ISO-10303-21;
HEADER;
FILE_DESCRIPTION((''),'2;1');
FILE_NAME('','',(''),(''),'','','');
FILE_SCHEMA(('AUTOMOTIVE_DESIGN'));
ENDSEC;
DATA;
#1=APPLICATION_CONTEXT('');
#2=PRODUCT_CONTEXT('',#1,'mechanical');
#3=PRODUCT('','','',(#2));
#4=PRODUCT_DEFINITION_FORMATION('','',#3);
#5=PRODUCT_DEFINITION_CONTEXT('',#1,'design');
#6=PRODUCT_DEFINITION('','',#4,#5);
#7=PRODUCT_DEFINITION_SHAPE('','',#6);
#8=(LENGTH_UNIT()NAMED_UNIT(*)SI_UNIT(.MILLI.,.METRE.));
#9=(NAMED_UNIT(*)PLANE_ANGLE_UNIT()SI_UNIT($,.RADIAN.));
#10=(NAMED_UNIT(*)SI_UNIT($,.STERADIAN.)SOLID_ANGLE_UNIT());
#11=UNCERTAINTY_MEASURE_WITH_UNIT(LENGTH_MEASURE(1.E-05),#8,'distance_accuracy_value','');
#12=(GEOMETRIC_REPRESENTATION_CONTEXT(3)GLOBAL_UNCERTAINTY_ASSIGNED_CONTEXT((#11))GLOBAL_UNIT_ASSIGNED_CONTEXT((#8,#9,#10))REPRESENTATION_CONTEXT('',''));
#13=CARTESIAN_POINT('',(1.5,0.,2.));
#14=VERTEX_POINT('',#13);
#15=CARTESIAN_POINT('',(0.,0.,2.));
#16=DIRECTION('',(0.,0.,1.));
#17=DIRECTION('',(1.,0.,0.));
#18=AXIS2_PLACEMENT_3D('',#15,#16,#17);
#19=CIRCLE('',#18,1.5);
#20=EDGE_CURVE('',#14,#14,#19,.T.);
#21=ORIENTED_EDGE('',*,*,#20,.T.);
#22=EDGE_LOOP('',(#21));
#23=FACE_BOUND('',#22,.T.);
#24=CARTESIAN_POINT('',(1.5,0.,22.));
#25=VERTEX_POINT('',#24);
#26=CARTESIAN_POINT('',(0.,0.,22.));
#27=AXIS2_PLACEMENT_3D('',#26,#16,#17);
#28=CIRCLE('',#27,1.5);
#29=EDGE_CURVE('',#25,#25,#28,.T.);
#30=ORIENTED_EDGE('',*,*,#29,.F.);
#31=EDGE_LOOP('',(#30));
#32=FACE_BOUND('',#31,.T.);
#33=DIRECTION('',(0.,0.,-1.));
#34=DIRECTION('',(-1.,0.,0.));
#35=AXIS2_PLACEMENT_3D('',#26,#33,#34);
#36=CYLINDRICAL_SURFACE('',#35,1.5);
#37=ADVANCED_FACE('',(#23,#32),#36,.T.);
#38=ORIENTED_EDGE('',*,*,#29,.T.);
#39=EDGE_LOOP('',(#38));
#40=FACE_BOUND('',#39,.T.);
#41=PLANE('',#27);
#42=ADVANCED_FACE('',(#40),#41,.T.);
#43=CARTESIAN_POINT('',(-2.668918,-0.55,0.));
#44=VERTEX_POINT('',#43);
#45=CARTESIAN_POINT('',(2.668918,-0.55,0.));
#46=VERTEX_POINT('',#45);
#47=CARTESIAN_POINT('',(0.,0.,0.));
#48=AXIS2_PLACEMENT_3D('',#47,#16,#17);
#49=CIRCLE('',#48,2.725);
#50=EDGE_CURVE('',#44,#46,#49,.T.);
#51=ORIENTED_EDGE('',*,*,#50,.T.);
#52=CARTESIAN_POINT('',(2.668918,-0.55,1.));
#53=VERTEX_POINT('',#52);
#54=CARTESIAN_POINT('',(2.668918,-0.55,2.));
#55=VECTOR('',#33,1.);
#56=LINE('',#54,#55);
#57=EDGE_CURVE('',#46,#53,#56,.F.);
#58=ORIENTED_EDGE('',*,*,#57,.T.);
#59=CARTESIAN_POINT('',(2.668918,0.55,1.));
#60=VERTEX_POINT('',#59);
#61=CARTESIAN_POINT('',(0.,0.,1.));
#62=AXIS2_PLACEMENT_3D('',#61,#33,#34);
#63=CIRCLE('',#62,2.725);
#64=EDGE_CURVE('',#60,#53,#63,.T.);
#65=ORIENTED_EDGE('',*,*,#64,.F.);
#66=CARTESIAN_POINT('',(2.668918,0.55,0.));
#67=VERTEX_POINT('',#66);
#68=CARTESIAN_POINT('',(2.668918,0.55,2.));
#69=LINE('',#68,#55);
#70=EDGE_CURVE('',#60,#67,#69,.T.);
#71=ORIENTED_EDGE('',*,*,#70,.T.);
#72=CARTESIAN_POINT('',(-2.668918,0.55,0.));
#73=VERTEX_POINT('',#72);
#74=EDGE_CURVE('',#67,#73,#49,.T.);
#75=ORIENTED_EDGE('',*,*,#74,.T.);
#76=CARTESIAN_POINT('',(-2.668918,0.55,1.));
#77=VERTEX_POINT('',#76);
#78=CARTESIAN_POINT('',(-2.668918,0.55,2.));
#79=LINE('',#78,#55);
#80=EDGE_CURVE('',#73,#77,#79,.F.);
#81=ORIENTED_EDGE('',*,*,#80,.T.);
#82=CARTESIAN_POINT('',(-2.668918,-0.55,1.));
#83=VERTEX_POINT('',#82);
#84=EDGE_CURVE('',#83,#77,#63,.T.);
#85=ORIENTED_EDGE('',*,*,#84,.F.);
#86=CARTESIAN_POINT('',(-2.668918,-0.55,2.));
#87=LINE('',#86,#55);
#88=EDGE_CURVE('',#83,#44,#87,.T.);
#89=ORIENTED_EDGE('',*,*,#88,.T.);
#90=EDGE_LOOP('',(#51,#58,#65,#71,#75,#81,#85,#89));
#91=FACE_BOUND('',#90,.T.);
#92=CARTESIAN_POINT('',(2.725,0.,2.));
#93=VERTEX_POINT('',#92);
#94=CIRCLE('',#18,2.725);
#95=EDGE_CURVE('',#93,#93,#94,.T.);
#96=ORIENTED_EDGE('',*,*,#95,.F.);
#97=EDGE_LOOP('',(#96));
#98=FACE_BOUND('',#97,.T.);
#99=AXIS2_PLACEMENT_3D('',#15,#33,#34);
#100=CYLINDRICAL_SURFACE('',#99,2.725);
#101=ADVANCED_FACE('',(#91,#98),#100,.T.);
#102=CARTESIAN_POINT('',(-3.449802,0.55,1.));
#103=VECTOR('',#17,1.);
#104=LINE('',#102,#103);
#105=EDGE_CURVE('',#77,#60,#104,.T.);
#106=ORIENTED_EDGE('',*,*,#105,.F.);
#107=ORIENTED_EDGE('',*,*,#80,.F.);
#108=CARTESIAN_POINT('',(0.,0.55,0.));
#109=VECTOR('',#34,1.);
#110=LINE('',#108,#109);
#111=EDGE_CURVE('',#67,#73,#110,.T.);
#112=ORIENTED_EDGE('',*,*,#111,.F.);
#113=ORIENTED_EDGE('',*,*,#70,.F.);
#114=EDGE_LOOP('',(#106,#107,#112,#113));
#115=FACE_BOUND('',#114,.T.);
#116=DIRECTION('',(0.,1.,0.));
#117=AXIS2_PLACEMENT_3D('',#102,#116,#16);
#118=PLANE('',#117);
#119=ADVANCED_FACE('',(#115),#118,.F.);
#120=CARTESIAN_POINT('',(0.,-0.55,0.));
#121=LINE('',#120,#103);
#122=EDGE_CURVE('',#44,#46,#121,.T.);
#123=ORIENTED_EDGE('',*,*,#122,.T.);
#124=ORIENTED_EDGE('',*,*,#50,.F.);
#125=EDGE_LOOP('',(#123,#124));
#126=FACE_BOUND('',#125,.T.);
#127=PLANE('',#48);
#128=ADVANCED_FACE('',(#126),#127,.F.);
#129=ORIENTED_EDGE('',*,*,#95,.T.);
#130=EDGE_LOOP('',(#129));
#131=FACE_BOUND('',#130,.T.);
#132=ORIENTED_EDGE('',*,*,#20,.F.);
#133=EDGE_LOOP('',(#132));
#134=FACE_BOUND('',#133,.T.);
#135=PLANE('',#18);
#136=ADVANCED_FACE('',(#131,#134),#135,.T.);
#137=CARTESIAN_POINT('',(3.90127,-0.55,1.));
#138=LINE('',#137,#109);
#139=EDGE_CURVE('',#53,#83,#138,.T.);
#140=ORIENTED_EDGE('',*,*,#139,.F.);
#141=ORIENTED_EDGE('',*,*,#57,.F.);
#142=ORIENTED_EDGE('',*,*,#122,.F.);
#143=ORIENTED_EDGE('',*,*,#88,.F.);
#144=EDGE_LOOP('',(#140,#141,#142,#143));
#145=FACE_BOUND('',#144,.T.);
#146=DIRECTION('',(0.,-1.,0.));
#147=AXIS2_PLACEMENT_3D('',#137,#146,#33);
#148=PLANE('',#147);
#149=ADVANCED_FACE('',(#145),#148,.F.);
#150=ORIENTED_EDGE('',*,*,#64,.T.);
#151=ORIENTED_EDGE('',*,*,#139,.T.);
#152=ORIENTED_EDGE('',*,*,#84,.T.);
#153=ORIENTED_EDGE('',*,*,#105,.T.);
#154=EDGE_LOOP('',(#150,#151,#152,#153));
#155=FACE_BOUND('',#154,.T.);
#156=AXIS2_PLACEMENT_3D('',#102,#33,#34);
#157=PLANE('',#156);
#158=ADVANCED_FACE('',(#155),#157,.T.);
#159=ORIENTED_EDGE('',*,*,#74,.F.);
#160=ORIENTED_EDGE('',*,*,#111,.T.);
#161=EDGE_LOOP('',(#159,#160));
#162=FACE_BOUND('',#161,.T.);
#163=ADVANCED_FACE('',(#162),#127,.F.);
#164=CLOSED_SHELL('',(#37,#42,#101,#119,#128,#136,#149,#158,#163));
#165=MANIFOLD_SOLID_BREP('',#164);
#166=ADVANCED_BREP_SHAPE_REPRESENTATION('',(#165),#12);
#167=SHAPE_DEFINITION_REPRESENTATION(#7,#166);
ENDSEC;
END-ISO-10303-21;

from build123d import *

# Parameters (mm, degrees)
SKETCH1_R          = 2.725
EXTRUDE1_DEPTH     = 2
CUT_EXTRUDE1_DEPTH = 1
SKETCH3_R          = 1.5
EXTRUDE2_DEPTH     = 20


with BuildPart() as part:
    # Sketch1 → Extrude1 (new body)
    with BuildSketch(Plane.XY):
        Circle(SKETCH1_R)
    extrude(amount=EXTRUDE1_DEPTH)

    # Sketch2 → Cut-Extrude1 (cut)
    with BuildSketch(Plane(origin=(0, 0, 0), x_dir=(-1, 0, 0), z_dir=(0, 0, -1))):
        Polygon((3.449801909, 0), (3.449801909, 0.55), (-3.901269584, 0.55), (-3.901269584, -0.55), (3.449801909, -0.55), align=None)
    extrude(amount=-CUT_EXTRUDE1_DEPTH, mode=Mode.SUBTRACT)

    # Sketch3 → Extrude2 (add)
    with BuildSketch(Plane.XY.offset(2)):
        Circle(SKETCH3_R)
    extrude(amount=EXTRUDE2_DEPTH)


solid = part.part
